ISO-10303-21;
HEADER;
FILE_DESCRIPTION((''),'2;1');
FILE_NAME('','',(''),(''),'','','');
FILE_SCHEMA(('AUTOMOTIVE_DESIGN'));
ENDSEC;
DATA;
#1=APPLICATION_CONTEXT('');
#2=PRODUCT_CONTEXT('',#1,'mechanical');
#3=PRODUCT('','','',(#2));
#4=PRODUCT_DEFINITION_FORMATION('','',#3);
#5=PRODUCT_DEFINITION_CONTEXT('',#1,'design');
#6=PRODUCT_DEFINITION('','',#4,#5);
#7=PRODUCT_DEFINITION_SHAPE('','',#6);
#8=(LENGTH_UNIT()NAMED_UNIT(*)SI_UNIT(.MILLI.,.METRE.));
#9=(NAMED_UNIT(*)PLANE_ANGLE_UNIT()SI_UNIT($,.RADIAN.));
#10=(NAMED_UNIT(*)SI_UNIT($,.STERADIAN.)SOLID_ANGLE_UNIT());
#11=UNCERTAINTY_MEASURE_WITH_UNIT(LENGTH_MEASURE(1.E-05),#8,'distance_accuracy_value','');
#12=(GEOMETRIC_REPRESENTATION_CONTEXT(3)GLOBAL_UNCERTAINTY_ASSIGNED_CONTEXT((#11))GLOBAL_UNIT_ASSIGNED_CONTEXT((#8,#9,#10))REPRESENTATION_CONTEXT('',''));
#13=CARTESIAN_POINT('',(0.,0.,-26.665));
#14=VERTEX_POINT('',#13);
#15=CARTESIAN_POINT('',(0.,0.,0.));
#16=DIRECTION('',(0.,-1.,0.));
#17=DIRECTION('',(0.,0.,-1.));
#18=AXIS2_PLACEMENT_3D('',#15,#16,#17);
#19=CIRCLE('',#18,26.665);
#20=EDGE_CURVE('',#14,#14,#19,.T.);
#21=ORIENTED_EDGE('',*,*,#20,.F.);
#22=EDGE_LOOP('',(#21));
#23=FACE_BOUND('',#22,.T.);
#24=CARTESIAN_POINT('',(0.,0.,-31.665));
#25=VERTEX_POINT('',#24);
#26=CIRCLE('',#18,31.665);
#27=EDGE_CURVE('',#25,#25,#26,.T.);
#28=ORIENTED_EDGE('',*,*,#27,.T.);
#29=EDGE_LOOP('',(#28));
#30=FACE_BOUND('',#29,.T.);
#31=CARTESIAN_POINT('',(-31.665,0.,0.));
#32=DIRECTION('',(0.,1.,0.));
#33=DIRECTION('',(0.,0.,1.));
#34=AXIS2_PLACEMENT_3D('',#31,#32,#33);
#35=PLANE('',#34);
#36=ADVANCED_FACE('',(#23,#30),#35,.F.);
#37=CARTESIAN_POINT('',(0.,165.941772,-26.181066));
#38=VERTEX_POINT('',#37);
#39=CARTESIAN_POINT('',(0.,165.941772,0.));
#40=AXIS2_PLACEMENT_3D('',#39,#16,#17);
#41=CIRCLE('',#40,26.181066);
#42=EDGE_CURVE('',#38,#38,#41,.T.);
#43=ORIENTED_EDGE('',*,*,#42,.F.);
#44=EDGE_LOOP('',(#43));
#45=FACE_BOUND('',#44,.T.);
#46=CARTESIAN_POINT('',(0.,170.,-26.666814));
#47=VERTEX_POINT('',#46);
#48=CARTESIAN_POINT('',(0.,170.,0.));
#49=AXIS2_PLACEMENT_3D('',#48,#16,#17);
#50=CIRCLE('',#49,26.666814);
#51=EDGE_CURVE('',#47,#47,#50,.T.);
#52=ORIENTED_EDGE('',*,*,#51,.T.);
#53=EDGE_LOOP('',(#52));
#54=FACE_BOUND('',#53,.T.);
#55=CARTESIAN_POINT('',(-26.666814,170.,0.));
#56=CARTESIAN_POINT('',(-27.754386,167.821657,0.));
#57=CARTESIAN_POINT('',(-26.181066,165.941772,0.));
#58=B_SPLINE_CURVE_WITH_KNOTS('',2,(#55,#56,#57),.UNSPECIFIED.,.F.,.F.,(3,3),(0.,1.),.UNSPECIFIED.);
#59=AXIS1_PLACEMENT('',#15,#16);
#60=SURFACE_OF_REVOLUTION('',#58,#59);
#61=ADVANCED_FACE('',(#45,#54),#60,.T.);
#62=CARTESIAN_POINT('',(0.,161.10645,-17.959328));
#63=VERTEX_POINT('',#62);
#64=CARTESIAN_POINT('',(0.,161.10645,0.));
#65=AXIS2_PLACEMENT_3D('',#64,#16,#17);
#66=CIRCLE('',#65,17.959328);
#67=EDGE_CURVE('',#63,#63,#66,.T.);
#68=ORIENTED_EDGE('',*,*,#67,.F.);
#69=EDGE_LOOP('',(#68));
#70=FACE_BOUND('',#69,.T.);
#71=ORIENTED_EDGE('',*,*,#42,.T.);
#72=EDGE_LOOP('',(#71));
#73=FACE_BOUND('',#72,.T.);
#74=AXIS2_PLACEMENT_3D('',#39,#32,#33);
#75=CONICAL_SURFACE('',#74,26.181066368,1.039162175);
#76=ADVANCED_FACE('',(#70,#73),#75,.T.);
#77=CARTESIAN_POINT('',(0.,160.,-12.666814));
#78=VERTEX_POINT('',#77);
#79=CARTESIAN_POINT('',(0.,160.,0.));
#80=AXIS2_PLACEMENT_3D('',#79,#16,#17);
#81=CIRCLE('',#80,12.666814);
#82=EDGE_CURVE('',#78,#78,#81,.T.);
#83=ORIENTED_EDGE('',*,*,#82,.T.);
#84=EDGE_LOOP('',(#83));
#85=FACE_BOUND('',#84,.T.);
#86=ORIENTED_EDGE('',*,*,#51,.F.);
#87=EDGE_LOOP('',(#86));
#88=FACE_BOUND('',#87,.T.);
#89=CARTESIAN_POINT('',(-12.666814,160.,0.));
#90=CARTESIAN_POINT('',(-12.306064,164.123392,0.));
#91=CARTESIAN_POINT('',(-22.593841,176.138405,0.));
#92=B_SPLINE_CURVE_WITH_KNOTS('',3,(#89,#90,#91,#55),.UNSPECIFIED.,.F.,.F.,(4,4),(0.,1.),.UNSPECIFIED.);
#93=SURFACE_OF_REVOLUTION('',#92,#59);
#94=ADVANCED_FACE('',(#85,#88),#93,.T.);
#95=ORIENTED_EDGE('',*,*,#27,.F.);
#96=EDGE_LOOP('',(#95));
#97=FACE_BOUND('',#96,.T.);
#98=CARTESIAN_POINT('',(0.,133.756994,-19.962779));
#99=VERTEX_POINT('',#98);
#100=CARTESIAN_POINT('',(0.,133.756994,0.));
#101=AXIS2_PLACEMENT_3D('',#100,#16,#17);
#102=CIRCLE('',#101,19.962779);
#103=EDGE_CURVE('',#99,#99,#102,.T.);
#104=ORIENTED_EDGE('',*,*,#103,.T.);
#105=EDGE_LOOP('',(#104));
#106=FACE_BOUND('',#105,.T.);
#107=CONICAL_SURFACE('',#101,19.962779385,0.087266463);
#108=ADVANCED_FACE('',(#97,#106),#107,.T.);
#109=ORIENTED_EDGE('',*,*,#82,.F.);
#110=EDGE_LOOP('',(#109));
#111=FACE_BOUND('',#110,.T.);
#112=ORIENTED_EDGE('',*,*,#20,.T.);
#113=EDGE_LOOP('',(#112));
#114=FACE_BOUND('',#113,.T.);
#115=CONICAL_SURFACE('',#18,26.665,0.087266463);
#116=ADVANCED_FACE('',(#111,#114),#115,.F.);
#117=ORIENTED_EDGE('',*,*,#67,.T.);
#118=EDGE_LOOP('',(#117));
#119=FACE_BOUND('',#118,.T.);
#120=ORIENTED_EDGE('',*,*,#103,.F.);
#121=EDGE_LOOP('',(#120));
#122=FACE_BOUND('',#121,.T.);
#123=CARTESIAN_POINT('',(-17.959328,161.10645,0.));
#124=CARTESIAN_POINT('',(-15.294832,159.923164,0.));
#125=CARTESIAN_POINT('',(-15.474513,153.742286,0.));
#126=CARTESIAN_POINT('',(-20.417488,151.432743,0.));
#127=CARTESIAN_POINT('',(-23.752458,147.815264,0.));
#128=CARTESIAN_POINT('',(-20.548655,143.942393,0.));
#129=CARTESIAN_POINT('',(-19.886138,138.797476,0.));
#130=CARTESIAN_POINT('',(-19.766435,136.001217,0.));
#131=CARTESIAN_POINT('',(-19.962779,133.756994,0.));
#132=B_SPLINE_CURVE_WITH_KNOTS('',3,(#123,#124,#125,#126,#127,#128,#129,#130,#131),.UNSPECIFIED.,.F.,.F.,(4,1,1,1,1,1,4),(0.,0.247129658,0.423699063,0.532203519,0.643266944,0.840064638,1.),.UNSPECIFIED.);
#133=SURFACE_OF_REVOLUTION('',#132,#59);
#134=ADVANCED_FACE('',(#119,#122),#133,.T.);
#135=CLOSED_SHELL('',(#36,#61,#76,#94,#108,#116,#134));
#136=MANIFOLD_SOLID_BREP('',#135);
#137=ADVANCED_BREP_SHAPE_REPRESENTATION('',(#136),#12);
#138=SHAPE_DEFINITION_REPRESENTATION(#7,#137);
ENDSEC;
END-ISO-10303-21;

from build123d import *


with BuildPart() as part:
    # Sketch1 → Revolve1 (revolve)
    with BuildSketch(Plane.XY, mode=Mode.PRIVATE) as revolve1_sk:
        with BuildLine():
            Line((-26.665, 0), (-12.666813836, 160))
            add(Edge.make_bspline(
                [(-12.666813836, 160), (-12.306063793, 164.123391853), (-22.593841128, 176.138404535), (-26.666813836, 170)],
                knots=[0, 0, 0, 0, 1, 1, 1, 1], degree=3))
            add(Edge.make_bspline(
                [(-26.666813836, 170), (-27.754385906, 167.821657289), (-26.181066368, 165.941771752)],
                knots=[0, 0, 0, 1, 1, 1], degree=2))
            Line((-26.181066368, 165.941771752), (-17.959328183, 161.10645018))
            add(Edge.make_bspline(
                [(-17.959328183, 161.10645018), (-15.294831649, 159.923164093), (-15.474513264, 153.742286346), (-20.41748834, 151.432742663), (-23.752458344, 147.815263671), (-20.548654977, 143.94239304), (-19.886137527, 138.797475761), (-19.766435284, 136.001217037), (-19.962779385, 133.756993686)],
                knots=[0, 0, 0, 0, 0.247129658, 0.423699063, 0.532203519, 0.643266944, 0.840064638, 1, 1, 1, 1], degree=3))
            Line((-19.962779385, 133.756993686), (-31.665, 0))
            Line((-31.665, 0), (-26.665, 0))
        make_face()
    revolve(revolve1_sk.sketch.rotate(Axis((0, 0, 0), (0, 1, 0)), 270), axis=Axis((0, 0, 0), (0, 1, 0)))


solid = part.part
